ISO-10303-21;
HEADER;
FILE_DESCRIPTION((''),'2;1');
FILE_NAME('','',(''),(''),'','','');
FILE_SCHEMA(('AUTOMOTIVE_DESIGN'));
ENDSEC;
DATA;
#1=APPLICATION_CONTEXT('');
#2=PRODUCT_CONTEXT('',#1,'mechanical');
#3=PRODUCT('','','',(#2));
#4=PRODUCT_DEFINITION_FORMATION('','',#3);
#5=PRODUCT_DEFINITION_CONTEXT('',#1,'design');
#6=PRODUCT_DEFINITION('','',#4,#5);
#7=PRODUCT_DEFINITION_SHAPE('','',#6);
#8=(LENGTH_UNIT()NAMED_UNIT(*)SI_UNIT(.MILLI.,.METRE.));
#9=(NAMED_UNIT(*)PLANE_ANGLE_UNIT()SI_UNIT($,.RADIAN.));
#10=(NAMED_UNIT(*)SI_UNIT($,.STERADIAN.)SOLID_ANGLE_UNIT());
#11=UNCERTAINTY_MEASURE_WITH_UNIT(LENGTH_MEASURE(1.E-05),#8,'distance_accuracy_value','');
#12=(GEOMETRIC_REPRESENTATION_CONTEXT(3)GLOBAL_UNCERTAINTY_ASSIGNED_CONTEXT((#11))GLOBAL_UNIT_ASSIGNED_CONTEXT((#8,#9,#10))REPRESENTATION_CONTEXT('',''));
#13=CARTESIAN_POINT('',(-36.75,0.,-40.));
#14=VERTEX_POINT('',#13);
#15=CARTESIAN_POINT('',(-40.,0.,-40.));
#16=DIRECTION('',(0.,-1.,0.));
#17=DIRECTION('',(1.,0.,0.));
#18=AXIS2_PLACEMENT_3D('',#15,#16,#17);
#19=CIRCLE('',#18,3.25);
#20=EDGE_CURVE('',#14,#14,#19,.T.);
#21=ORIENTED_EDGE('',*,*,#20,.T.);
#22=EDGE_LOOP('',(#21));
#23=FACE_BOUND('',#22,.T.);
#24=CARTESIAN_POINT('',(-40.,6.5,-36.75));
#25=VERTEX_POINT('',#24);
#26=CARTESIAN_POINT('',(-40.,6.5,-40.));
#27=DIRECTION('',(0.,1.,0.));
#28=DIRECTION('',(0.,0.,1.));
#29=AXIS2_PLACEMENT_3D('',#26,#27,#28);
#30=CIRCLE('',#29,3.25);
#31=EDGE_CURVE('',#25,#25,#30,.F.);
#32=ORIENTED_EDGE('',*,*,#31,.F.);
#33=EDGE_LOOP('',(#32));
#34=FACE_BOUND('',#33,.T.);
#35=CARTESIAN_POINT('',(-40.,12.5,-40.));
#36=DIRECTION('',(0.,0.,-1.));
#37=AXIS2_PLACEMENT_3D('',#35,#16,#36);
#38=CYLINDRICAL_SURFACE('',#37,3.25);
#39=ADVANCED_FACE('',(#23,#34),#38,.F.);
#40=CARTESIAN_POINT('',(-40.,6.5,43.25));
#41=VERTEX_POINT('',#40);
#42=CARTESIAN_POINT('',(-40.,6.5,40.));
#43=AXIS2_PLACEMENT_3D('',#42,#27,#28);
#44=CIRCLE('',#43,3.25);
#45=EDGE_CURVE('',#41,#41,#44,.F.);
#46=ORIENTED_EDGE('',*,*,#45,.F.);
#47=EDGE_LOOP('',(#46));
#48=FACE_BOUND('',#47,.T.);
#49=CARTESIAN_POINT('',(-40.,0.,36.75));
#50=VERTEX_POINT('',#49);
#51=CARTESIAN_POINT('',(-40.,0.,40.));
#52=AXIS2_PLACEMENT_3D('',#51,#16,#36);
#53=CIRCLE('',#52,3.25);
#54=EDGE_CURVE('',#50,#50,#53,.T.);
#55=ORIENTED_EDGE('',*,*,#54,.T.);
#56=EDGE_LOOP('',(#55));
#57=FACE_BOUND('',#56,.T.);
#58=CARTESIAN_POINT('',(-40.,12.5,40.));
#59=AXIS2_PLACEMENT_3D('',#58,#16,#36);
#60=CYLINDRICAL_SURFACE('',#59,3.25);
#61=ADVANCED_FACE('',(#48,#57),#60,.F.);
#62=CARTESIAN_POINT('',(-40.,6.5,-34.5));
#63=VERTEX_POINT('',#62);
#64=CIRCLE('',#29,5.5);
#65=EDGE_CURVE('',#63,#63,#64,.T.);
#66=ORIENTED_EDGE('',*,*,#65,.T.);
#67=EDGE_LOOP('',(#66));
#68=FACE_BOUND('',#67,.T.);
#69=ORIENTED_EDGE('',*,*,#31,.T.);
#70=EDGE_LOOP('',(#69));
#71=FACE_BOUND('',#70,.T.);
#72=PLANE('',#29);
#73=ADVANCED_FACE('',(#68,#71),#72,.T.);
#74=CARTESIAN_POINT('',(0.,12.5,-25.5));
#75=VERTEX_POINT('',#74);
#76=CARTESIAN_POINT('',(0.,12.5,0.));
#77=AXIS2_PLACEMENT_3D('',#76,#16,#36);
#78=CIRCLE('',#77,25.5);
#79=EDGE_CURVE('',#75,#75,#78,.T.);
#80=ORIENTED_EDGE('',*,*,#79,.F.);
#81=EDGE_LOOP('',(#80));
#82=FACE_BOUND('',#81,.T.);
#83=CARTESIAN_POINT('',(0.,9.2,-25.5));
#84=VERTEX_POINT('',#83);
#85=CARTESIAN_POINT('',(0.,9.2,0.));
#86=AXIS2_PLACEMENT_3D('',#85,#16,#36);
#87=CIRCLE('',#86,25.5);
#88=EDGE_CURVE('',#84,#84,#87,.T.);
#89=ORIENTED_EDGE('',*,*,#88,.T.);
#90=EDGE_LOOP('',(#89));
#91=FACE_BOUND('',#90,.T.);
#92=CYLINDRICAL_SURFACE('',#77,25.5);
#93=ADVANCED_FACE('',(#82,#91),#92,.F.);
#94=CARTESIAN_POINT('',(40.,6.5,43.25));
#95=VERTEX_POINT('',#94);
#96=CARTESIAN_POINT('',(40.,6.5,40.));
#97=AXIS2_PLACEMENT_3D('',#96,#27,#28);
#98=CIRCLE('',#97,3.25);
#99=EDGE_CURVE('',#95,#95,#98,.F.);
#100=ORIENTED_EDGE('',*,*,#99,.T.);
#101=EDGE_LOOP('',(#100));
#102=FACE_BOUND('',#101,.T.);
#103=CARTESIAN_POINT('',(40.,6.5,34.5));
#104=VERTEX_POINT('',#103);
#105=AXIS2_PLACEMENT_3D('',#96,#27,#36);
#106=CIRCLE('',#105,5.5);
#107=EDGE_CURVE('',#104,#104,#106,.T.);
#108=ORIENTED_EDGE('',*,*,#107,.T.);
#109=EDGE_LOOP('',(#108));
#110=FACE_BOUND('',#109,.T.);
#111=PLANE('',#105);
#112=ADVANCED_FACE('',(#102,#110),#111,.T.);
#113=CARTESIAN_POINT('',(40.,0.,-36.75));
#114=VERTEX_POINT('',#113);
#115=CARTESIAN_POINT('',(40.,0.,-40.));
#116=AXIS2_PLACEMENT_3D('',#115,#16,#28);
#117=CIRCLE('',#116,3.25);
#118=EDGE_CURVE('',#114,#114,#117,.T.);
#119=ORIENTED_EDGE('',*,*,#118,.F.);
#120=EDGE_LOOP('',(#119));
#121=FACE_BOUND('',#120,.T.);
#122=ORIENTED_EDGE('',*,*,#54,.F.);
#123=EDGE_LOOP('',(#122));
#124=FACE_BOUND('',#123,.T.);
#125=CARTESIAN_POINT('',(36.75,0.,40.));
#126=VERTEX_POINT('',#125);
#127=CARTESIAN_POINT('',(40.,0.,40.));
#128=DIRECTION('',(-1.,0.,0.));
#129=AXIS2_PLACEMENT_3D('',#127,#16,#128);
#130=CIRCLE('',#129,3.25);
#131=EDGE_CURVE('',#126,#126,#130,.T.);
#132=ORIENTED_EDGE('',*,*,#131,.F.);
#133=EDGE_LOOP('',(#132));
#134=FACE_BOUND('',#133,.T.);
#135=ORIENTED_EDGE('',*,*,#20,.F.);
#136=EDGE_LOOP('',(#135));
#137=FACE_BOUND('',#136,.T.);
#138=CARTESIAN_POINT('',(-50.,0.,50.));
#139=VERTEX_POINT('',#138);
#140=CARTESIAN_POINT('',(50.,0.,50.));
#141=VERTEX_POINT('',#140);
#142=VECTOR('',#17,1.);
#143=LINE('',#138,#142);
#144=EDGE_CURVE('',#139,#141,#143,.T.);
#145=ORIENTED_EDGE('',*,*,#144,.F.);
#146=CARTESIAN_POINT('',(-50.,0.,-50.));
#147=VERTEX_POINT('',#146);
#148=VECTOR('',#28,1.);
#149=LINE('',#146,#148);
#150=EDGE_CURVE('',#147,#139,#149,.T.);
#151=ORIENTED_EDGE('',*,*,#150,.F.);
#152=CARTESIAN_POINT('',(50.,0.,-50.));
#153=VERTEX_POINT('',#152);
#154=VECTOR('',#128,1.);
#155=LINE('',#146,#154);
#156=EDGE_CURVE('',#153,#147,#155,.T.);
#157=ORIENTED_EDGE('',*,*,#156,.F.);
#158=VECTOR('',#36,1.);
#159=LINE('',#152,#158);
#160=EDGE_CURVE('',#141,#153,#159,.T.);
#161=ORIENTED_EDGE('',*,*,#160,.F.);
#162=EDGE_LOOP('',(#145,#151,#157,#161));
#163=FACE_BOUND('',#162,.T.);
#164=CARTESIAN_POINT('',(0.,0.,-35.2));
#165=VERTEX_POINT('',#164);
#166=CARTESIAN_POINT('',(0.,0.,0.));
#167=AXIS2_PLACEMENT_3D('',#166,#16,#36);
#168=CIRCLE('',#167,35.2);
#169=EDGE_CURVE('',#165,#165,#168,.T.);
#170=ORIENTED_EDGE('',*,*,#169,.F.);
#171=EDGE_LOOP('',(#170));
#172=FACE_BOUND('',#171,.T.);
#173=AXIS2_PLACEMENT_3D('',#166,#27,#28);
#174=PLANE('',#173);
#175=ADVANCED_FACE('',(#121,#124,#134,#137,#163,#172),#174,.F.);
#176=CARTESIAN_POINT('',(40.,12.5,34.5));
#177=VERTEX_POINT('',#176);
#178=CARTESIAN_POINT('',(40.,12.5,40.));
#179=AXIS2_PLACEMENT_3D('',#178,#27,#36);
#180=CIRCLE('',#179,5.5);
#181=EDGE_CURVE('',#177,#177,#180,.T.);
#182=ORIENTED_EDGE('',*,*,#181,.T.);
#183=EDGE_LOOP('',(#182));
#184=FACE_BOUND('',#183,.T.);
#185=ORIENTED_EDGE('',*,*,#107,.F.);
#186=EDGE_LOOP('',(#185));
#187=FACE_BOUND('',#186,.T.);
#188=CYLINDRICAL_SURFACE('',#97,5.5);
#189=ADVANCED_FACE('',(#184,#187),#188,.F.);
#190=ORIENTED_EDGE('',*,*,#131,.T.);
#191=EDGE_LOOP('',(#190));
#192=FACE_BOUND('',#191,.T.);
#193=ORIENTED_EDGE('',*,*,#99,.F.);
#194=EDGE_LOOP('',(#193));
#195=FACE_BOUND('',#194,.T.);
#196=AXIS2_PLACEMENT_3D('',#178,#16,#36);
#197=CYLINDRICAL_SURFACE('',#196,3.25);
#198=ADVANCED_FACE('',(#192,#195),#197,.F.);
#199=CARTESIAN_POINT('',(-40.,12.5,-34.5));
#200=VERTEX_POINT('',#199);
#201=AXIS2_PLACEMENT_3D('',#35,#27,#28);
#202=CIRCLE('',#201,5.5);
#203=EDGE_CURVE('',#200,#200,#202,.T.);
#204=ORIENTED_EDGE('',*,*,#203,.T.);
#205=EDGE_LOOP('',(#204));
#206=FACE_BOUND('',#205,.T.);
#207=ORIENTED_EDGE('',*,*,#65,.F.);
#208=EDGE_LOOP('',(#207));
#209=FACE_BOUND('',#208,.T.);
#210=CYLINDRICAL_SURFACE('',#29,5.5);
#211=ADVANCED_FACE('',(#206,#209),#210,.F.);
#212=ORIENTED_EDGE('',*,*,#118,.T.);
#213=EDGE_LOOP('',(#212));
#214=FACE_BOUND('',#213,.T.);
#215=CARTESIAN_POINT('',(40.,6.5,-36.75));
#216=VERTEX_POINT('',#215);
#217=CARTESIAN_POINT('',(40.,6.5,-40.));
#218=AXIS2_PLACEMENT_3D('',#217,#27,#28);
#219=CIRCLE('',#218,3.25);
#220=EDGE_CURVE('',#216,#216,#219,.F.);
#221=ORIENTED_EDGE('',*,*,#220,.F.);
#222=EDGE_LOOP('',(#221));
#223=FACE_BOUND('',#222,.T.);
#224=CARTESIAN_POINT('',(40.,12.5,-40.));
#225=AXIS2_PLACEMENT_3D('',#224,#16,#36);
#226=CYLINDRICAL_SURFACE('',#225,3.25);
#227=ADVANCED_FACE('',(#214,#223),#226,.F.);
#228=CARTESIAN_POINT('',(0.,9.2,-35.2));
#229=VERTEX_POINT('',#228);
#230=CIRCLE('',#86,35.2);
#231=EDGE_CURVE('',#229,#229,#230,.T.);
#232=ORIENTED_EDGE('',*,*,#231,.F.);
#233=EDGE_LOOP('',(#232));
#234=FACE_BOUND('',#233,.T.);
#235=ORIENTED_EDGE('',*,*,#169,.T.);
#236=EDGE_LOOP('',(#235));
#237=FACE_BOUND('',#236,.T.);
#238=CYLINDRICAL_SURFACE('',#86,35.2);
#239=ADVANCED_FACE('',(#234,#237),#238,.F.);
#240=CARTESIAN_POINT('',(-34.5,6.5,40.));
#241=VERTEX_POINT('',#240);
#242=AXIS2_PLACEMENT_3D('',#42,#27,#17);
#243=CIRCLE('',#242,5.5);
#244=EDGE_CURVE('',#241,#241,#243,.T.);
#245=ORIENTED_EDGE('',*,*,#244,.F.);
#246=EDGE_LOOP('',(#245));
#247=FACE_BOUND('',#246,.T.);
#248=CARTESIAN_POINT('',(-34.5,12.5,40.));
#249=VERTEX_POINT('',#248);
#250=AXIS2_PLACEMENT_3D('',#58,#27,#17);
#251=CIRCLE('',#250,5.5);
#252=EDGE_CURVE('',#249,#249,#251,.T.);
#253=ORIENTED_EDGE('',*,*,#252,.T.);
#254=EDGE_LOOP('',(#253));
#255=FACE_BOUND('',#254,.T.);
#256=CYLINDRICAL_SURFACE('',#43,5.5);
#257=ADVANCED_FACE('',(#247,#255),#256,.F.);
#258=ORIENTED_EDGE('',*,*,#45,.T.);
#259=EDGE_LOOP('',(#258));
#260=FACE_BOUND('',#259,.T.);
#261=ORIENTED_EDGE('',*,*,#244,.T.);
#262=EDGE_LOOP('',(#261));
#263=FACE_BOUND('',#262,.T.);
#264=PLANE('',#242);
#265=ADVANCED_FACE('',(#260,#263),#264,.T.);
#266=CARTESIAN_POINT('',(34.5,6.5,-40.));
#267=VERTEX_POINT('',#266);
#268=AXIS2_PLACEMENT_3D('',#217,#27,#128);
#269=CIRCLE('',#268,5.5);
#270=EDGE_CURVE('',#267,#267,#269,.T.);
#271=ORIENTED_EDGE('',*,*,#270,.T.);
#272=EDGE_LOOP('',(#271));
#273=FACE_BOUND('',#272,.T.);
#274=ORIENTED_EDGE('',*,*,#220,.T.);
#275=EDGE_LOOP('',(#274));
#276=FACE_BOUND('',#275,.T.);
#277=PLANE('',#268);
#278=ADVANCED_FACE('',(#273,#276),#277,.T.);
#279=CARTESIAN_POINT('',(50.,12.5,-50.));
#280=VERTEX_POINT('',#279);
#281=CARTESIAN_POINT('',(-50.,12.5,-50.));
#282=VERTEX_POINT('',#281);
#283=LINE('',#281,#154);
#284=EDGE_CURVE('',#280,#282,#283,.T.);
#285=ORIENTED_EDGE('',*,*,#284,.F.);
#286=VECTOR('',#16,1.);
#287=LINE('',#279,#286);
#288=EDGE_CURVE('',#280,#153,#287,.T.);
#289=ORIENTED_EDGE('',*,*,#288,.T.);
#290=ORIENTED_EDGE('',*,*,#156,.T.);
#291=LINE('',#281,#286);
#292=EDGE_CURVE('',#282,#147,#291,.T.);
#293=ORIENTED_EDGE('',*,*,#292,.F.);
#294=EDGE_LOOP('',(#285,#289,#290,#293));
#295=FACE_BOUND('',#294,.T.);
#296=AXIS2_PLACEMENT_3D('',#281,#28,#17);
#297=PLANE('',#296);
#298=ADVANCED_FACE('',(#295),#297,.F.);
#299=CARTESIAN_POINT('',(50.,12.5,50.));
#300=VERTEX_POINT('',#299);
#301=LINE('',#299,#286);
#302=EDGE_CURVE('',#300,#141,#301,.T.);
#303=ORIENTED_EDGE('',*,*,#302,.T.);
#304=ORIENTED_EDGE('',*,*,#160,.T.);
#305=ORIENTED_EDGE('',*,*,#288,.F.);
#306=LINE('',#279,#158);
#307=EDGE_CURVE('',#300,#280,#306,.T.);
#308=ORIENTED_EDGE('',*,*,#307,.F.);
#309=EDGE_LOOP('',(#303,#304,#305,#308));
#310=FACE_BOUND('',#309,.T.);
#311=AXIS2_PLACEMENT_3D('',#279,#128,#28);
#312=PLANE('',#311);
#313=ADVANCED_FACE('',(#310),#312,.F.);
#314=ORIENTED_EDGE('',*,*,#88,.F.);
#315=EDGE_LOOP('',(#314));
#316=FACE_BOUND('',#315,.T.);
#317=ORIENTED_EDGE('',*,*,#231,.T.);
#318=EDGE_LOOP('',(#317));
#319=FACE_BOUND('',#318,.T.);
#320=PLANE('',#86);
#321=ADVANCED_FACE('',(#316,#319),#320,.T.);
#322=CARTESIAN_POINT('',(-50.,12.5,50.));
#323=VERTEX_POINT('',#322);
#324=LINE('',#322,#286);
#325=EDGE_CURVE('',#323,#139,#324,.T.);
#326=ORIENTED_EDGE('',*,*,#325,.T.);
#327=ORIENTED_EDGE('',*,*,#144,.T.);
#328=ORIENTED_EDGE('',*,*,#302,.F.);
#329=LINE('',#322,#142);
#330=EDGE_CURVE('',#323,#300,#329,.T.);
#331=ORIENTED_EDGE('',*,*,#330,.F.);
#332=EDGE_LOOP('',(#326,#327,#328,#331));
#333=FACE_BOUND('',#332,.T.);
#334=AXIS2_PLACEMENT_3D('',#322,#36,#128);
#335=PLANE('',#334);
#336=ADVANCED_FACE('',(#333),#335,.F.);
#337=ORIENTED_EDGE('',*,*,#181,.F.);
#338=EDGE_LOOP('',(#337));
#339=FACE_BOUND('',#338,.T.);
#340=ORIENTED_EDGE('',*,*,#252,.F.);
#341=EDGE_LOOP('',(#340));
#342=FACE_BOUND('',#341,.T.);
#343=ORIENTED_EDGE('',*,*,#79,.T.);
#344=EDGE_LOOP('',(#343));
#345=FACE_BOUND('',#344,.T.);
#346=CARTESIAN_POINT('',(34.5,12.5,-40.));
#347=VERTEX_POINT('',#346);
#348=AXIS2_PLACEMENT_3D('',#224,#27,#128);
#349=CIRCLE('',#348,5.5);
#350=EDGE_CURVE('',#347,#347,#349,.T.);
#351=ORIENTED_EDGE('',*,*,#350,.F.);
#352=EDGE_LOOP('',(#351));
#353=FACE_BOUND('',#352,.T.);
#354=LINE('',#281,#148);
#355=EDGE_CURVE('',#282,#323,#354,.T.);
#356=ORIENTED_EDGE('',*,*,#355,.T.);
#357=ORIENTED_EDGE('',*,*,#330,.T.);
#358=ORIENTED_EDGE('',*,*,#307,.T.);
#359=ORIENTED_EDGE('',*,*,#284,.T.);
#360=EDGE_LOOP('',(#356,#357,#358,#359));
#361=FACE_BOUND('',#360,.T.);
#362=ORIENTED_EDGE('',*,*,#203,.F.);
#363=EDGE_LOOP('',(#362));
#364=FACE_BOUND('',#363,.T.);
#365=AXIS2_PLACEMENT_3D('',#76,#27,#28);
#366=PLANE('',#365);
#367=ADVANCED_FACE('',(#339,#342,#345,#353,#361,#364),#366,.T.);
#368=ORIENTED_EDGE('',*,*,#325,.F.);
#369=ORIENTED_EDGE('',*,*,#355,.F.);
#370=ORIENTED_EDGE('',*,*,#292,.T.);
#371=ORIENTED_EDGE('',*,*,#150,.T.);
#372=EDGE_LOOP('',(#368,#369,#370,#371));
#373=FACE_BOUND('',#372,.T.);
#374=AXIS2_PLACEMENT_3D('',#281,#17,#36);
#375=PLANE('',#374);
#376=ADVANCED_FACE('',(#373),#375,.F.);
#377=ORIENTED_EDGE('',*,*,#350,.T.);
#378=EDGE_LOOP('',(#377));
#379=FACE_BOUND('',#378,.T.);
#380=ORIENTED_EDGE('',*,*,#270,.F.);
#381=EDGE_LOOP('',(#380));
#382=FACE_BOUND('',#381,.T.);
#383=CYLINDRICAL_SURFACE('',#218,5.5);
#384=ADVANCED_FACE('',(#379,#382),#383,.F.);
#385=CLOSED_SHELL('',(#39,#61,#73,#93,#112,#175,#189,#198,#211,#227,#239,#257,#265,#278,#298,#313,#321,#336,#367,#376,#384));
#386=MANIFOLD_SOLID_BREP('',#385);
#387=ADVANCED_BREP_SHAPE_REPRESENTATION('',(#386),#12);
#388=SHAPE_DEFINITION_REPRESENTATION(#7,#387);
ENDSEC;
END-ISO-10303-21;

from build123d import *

# Parameters (mm, degrees)
CROQUIS1_W              = 100
CROQUIS1_H              = 100
SALIENTE_EXTRUIR1_DEPTH = 12.5
CROQUIS3_R              = 35.2
CORTAR_EXTRUIR1_DEPTH   = 9.2
CROQUIS4_R              = 25.5
CORTAR_EXTRUIR2_DEPTH   = 72.30666168
CROQUIS5_R              = 3.25
CORTAR_EXTRUIR3_DEPTH   = 72.807033082
MATRIZC1_COUNT          = 4
CROQUIS6_R              = 5.5
CORTAR_EXTRUIR4_DEPTH   = 6
MATRIZC2_COUNT          = 4


with BuildPart() as part:
    # Croquis1 → Saliente-Extruir1 (new body)
    with BuildSketch(Plane(origin=(0, 0, 0), x_dir=(1, 0, 0), z_dir=(0, 1, 0))):
        Rectangle(CROQUIS1_W, CROQUIS1_H)
    extrude(amount=SALIENTE_EXTRUIR1_DEPTH)

    # Croquis3 → Cortar-Extruir1 (cut)
    with BuildSketch(Plane.XZ):
        with Locations(Location((0, 0, 0), (0, 0, 270))):
            Circle(CROQUIS3_R)
    extrude(amount=-CORTAR_EXTRUIR1_DEPTH, mode=Mode.SUBTRACT)

    # Croquis4 → Cortar-Extruir2 (cut, through all)
    with BuildSketch(Plane.XZ.offset(-9.2)):
        with Locations(Location((0, 0, 0), (0, 0, 270))):
            Circle(CROQUIS4_R)
    extrude(amount=-CORTAR_EXTRUIR2_DEPTH, mode=Mode.SUBTRACT)

    # Croquis5 → Cortar-Extruir3 (cut, through all)
    with BuildSketch(Plane.XZ):
        with Locations(Location((-40, 40, 0), (0, 0, 270))):
            Circle(CROQUIS5_R)
    cortar_extruir3 = extrude(amount=-CORTAR_EXTRUIR3_DEPTH, mode=Mode.SUBTRACT)

    # MatrizC1: Cortar-Extruir3 ×4 about axis
    matrizc1_axis = Axis((0, 0, 0), (0, 1, 0))
    for i in range(1, MATRIZC1_COUNT):
        add(cortar_extruir3.rotate(matrizc1_axis, i * 360 / MATRIZC1_COUNT), mode=Mode.SUBTRACT)

    # Croquis6 → Cortar-Extruir4 (cut)
    with BuildSketch(Plane(origin=(0, 12.5, 0), x_dir=(1, 0, 0), z_dir=(0, 1, 0))):
        with Locations(Location((-40, 40, 0), (0, 0, 270))):
            Circle(CROQUIS6_R)
    cortar_extruir4 = extrude(amount=-CORTAR_EXTRUIR4_DEPTH, mode=Mode.SUBTRACT)

    # MatrizC2: Cortar-Extruir4 ×4 about axis
    matrizc2_axis = Axis((0, 0, 0), (0, 1, 0))
    for i in range(1, MATRIZC2_COUNT):
        add(cortar_extruir4.rotate(matrizc2_axis, i * 360 / MATRIZC2_COUNT), mode=Mode.SUBTRACT)


solid = part.part
